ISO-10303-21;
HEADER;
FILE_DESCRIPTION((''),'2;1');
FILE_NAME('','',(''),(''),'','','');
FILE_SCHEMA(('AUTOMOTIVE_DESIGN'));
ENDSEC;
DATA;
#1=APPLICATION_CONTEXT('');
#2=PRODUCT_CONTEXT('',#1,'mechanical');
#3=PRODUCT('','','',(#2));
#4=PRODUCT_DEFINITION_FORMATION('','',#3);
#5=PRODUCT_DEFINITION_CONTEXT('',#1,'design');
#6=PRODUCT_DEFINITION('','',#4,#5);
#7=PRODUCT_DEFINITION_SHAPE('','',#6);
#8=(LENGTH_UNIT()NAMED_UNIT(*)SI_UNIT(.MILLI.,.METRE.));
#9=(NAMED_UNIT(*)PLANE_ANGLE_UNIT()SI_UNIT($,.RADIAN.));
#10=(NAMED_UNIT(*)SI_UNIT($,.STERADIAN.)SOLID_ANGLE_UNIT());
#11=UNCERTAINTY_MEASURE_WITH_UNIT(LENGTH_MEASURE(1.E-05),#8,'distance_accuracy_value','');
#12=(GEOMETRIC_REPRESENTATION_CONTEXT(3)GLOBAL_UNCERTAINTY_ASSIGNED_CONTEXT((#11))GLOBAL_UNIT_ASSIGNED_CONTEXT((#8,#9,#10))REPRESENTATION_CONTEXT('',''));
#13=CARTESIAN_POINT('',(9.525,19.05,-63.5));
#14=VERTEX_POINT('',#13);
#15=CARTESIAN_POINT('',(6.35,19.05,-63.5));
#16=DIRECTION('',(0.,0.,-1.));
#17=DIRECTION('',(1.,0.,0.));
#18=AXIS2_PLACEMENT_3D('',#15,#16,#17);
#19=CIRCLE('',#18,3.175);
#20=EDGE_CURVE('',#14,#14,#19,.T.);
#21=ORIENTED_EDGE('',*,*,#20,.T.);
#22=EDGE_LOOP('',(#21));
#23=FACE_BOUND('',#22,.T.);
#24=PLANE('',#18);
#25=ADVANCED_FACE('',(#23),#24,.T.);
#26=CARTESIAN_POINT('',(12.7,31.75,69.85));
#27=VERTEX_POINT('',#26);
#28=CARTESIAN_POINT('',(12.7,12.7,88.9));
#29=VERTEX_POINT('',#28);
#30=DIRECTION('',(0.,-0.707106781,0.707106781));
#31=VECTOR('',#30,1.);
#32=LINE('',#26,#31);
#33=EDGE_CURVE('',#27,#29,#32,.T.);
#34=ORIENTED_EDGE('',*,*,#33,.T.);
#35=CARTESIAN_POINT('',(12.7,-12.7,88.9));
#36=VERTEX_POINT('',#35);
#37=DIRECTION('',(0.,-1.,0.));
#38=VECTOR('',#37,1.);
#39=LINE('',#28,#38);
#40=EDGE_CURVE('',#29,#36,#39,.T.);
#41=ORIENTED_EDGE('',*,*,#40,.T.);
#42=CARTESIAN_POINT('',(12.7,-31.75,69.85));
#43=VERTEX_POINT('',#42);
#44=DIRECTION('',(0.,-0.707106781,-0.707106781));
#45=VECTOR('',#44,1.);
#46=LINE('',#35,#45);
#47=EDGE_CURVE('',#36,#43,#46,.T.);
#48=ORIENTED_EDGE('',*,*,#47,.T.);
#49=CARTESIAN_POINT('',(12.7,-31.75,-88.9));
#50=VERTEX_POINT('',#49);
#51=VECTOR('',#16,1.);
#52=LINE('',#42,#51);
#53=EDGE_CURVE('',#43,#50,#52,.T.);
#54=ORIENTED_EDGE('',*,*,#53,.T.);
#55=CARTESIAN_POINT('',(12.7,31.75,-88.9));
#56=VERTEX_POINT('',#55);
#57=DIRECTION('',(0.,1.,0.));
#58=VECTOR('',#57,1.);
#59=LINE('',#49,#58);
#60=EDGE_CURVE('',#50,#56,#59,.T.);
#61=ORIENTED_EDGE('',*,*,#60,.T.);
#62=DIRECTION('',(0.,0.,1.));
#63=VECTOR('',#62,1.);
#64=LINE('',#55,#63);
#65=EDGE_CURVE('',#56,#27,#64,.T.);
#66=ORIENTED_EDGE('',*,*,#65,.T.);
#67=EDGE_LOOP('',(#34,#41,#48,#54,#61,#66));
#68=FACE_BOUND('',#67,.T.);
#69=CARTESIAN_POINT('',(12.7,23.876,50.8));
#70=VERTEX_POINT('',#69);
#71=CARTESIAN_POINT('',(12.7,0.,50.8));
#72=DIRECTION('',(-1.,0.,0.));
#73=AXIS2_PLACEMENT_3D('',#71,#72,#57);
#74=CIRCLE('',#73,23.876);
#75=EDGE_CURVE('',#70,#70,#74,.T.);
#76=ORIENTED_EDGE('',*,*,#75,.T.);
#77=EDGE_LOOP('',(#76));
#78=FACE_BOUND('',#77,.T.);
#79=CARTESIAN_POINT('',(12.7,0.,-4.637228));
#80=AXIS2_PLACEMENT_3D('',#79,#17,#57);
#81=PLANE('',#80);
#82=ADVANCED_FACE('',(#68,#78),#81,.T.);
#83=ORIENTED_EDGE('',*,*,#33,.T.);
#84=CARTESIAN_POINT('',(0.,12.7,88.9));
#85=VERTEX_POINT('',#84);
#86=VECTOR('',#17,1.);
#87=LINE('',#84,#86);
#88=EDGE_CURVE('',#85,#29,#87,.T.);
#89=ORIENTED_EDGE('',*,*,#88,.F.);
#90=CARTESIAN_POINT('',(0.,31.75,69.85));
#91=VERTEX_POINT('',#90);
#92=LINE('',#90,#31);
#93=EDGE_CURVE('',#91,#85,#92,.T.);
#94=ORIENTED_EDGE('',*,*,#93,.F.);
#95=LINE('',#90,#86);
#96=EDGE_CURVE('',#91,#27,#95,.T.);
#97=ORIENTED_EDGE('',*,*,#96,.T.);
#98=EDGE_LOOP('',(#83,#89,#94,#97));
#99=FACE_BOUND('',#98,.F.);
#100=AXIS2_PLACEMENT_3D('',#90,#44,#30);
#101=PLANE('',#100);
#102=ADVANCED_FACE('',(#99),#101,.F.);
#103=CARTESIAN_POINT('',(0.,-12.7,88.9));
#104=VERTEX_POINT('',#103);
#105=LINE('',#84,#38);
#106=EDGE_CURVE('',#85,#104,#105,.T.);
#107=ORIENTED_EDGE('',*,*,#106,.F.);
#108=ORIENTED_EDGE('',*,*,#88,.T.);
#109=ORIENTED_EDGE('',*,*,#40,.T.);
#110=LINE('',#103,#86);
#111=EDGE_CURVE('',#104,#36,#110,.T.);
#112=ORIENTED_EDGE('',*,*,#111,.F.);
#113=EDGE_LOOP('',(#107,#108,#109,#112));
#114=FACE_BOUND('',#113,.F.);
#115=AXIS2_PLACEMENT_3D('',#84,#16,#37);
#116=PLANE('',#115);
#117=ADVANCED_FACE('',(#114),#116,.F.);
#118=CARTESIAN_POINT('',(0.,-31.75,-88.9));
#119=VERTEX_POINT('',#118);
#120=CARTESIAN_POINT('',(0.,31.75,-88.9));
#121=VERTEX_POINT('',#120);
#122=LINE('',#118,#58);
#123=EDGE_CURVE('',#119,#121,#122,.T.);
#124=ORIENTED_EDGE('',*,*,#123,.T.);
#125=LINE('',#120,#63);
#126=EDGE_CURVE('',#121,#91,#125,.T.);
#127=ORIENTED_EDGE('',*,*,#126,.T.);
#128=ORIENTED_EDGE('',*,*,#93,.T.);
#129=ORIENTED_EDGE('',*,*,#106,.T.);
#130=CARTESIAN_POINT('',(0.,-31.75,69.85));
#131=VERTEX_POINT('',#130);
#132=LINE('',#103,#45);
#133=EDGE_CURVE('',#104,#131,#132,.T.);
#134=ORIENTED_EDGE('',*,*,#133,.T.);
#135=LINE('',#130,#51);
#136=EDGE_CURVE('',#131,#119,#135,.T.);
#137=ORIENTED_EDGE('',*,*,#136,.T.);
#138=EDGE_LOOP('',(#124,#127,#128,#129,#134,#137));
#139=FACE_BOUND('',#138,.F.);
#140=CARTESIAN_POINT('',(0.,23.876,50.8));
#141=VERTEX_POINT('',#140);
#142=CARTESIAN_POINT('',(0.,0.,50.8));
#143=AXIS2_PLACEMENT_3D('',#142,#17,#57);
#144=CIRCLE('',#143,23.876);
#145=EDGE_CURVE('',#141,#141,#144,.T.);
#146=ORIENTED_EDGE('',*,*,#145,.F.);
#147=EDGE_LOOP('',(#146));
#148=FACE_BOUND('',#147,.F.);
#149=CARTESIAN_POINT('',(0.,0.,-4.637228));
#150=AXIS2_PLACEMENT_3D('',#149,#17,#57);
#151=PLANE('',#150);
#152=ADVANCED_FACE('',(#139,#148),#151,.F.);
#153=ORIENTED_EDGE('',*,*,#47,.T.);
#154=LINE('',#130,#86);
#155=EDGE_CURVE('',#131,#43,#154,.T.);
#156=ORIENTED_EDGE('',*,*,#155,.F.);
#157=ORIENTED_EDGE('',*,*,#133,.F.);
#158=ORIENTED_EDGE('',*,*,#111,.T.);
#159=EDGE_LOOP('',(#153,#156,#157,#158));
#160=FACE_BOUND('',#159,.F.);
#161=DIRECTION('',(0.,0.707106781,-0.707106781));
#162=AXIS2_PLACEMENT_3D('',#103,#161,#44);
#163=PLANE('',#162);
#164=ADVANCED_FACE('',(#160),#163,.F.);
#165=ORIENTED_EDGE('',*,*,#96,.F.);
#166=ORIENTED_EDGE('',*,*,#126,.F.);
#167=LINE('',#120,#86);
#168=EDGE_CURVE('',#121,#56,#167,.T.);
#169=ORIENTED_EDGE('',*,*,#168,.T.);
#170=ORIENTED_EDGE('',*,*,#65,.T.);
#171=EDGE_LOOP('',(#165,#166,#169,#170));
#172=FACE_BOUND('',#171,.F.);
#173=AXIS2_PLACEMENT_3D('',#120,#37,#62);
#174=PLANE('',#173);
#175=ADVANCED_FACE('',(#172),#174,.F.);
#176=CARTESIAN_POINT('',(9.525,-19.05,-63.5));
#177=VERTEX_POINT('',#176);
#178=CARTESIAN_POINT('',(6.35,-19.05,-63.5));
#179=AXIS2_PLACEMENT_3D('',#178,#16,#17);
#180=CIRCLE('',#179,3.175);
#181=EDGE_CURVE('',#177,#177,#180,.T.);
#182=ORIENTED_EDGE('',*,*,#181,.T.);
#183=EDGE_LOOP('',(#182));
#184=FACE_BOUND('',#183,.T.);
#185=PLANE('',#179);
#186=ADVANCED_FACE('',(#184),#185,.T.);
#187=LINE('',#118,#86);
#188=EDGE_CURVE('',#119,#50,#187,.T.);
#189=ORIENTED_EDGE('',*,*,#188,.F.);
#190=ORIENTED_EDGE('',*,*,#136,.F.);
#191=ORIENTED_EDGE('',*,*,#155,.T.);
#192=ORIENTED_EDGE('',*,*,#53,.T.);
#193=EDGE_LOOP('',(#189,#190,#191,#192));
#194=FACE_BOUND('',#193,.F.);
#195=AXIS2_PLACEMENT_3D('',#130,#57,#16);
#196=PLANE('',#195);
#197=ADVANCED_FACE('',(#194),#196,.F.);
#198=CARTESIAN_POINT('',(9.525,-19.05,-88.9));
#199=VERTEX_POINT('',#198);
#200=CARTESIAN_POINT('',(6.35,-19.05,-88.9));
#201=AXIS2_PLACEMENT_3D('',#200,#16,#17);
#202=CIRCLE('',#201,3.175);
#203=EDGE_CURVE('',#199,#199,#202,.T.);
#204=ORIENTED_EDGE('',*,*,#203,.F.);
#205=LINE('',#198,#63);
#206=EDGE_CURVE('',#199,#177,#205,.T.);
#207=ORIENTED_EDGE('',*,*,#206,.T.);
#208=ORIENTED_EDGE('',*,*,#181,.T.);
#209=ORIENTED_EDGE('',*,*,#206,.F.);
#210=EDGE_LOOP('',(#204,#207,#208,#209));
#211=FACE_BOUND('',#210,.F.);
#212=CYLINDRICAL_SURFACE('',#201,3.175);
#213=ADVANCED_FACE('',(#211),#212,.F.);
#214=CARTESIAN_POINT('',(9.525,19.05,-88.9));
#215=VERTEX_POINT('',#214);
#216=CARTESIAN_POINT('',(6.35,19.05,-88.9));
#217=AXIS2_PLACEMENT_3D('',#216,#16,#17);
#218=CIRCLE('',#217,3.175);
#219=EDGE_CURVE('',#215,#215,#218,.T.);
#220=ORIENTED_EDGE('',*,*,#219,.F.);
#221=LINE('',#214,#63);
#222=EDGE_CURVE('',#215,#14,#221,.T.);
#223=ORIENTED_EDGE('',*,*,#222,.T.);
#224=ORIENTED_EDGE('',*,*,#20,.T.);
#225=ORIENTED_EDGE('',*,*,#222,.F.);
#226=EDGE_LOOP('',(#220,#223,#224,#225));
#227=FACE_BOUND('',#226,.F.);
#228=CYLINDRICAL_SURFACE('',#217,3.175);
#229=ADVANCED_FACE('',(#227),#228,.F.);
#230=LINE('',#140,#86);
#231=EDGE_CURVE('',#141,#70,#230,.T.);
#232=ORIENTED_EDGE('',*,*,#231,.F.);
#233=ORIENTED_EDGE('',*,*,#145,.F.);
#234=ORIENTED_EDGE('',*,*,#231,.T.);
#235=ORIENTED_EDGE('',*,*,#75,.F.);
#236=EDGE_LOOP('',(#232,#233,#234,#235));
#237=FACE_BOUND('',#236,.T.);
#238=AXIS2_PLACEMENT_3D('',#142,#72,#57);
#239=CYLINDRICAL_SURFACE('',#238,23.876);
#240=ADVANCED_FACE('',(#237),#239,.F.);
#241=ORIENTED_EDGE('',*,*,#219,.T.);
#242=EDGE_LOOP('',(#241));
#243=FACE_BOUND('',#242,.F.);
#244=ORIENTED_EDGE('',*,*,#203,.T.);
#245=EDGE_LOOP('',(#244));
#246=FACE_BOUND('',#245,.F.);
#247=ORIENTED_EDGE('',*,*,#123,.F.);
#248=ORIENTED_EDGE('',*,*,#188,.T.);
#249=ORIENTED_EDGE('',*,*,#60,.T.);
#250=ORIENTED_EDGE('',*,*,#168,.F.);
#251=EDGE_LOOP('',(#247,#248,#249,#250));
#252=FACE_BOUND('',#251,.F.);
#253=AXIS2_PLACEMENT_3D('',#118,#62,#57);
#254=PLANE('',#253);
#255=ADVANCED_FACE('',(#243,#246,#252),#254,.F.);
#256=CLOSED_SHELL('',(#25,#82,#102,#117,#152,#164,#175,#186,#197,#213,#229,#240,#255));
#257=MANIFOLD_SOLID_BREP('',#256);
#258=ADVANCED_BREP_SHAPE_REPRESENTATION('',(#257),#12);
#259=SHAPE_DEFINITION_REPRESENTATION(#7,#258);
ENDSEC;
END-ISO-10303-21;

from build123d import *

# Parameters (mm, degrees)
F1_DEPTH = 12.7
F2_R     = 23.876
F3_DEPTH = 12.701
F4_R     = 3.175
F5_DEPTH = 25.4


with BuildPart() as f1:
    # F0 (on Right) → F1 (new body)
    with BuildSketch(Plane.YZ):
        Polygon((12.7, 88.9), (0, 88.9), (-12.7, 88.9), (-31.75, 69.85), (-31.75, -88.9), (0, -88.9), (31.75, -88.9), (31.75, 69.85), align=None)
    extrude(amount=F1_DEPTH)

    # F2 (on Right) → F3 (cut, through all)
    with BuildSketch(Plane.YZ):
        with Locations((0, 50.8)):
            Circle(F2_R)
    extrude(amount=F3_DEPTH, mode=Mode.SUBTRACT)

    # F4 (on face) → F5 (cut)
    with BuildSketch(Plane(origin=(0, 0, -88.9), x_dir=(1, 0, 0), z_dir=(0, 0, -1))):
        with Locations((6.35, 19.05)):
            Circle(F4_R)
        with Locations((6.35, -19.05)):
            Circle(F4_R)
    extrude(amount=-F5_DEPTH, mode=Mode.SUBTRACT)


solid = f1.part
